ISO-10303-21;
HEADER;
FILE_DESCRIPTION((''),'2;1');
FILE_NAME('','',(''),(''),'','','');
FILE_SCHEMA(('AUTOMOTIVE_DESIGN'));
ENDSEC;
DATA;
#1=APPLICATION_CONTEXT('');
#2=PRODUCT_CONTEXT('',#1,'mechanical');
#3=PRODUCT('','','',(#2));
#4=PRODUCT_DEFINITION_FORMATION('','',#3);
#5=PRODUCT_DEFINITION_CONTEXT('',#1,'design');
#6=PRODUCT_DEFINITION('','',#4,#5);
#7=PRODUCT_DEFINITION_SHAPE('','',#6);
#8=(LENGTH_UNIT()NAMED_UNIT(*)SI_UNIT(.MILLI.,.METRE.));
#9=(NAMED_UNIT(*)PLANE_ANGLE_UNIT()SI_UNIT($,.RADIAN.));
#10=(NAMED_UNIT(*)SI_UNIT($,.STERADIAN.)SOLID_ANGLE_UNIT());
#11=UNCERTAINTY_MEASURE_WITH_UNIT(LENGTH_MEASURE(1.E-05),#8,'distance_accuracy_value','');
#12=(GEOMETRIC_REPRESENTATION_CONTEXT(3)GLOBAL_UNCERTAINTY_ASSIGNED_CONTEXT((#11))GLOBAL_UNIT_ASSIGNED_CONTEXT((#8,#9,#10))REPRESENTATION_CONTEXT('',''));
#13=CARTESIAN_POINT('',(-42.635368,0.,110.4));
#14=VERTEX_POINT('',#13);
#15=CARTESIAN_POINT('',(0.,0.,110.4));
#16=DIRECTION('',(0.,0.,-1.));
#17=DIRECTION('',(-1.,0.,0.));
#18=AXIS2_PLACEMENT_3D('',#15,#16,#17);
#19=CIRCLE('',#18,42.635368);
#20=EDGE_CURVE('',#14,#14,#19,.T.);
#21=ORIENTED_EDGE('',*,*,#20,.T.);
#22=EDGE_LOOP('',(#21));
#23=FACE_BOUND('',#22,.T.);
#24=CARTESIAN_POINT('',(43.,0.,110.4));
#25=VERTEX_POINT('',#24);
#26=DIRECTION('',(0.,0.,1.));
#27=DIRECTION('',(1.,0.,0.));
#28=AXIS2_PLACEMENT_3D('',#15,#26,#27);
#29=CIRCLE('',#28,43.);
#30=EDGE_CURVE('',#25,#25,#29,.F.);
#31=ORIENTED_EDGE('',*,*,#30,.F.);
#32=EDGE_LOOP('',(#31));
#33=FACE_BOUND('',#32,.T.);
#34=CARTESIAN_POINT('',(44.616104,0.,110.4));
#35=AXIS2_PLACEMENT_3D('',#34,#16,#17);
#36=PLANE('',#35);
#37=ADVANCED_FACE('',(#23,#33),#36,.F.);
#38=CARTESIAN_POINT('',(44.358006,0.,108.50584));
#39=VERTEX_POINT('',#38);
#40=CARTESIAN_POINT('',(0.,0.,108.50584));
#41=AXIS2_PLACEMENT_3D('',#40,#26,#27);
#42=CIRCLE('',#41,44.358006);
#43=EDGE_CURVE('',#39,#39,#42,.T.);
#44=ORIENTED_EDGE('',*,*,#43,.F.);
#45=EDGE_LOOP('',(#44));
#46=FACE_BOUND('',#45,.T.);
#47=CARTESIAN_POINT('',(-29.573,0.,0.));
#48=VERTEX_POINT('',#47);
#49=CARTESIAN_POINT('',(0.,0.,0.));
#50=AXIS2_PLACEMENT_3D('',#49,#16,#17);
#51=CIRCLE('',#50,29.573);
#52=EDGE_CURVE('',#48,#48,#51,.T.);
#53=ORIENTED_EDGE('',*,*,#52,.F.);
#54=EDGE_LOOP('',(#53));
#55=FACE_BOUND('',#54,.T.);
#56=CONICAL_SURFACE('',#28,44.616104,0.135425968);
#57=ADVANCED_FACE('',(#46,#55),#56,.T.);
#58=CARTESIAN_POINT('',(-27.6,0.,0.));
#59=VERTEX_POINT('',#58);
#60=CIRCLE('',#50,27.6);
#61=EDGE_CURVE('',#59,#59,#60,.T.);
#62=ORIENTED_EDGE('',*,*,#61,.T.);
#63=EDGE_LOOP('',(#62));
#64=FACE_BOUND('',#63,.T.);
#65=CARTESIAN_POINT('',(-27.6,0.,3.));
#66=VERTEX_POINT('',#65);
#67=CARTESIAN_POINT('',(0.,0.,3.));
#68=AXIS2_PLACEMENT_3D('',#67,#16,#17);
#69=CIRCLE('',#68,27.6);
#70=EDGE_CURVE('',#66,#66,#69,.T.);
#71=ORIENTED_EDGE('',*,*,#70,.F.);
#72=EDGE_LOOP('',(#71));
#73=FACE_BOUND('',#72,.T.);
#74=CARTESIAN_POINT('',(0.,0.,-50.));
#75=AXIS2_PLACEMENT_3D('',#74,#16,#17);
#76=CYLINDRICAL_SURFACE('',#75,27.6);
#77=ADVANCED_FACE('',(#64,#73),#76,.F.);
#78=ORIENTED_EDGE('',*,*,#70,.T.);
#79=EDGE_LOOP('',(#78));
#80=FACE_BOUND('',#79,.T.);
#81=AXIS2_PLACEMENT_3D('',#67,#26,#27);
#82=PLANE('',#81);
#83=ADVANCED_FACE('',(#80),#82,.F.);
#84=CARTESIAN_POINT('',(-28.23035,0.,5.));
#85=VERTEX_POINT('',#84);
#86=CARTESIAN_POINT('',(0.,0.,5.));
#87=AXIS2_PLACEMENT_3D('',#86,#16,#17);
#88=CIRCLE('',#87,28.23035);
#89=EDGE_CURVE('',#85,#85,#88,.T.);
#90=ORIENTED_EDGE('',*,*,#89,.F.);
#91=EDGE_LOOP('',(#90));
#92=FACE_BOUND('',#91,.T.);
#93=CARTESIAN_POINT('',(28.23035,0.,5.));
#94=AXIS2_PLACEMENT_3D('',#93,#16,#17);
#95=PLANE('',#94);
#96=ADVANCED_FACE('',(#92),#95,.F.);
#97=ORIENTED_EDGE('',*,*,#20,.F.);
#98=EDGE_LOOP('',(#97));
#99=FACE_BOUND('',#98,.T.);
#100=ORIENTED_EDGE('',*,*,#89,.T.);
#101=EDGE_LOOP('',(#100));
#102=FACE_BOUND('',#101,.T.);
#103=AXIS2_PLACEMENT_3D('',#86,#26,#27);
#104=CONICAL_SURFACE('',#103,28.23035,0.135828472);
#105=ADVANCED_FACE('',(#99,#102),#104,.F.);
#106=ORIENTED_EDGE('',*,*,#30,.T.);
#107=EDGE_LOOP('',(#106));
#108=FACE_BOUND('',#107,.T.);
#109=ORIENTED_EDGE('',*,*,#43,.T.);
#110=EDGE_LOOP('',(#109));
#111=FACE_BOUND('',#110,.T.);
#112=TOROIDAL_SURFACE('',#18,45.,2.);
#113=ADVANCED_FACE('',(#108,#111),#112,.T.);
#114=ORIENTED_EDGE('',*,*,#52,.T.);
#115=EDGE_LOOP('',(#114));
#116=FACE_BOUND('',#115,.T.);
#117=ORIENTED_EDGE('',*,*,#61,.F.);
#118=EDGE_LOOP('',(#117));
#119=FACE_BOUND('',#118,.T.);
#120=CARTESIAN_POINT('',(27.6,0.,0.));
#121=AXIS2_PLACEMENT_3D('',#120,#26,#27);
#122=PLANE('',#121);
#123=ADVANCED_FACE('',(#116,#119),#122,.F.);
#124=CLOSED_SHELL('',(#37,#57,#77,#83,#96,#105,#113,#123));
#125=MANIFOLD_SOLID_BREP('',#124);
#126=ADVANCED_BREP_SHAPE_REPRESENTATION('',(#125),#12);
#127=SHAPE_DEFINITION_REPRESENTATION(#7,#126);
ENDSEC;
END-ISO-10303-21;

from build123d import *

# Parameters (mm, degrees)
SKETCH2_R = 2


with BuildPart() as part:
    # Sketch1 → Cup (revolve)
    with BuildSketch(Plane(origin=(0, 0, 0), x_dir=(-1, 0, 0), z_dir=(0, 1, 0)), mode=Mode.PRIVATE) as cup_sk:
        Polygon((0, 3), (-27.6, 3), (-27.6, 0), (-29.573, 0), (-44.616104, 110.4), (-42.635368, 110.4), (-28.23035, 5), (0, 5), align=None)
    revolve(cup_sk.sketch.rotate(Axis((0, 0, -50), (0, 0, 1)), 180), axis=Axis((0, 0, -50), (0, 0, 1)))

    # Sketch2 → BeadRound (revolve)
    with BuildSketch(Plane(origin=(0, 0, 0), x_dir=(-1, 0, 0), z_dir=(0, 1, 0))):
        with Locations((-45, 110.4)):
            Circle(SKETCH2_R)
    revolve(axis=Axis((0, 0, -50), (0, 0, 1)))


solid = part.part
